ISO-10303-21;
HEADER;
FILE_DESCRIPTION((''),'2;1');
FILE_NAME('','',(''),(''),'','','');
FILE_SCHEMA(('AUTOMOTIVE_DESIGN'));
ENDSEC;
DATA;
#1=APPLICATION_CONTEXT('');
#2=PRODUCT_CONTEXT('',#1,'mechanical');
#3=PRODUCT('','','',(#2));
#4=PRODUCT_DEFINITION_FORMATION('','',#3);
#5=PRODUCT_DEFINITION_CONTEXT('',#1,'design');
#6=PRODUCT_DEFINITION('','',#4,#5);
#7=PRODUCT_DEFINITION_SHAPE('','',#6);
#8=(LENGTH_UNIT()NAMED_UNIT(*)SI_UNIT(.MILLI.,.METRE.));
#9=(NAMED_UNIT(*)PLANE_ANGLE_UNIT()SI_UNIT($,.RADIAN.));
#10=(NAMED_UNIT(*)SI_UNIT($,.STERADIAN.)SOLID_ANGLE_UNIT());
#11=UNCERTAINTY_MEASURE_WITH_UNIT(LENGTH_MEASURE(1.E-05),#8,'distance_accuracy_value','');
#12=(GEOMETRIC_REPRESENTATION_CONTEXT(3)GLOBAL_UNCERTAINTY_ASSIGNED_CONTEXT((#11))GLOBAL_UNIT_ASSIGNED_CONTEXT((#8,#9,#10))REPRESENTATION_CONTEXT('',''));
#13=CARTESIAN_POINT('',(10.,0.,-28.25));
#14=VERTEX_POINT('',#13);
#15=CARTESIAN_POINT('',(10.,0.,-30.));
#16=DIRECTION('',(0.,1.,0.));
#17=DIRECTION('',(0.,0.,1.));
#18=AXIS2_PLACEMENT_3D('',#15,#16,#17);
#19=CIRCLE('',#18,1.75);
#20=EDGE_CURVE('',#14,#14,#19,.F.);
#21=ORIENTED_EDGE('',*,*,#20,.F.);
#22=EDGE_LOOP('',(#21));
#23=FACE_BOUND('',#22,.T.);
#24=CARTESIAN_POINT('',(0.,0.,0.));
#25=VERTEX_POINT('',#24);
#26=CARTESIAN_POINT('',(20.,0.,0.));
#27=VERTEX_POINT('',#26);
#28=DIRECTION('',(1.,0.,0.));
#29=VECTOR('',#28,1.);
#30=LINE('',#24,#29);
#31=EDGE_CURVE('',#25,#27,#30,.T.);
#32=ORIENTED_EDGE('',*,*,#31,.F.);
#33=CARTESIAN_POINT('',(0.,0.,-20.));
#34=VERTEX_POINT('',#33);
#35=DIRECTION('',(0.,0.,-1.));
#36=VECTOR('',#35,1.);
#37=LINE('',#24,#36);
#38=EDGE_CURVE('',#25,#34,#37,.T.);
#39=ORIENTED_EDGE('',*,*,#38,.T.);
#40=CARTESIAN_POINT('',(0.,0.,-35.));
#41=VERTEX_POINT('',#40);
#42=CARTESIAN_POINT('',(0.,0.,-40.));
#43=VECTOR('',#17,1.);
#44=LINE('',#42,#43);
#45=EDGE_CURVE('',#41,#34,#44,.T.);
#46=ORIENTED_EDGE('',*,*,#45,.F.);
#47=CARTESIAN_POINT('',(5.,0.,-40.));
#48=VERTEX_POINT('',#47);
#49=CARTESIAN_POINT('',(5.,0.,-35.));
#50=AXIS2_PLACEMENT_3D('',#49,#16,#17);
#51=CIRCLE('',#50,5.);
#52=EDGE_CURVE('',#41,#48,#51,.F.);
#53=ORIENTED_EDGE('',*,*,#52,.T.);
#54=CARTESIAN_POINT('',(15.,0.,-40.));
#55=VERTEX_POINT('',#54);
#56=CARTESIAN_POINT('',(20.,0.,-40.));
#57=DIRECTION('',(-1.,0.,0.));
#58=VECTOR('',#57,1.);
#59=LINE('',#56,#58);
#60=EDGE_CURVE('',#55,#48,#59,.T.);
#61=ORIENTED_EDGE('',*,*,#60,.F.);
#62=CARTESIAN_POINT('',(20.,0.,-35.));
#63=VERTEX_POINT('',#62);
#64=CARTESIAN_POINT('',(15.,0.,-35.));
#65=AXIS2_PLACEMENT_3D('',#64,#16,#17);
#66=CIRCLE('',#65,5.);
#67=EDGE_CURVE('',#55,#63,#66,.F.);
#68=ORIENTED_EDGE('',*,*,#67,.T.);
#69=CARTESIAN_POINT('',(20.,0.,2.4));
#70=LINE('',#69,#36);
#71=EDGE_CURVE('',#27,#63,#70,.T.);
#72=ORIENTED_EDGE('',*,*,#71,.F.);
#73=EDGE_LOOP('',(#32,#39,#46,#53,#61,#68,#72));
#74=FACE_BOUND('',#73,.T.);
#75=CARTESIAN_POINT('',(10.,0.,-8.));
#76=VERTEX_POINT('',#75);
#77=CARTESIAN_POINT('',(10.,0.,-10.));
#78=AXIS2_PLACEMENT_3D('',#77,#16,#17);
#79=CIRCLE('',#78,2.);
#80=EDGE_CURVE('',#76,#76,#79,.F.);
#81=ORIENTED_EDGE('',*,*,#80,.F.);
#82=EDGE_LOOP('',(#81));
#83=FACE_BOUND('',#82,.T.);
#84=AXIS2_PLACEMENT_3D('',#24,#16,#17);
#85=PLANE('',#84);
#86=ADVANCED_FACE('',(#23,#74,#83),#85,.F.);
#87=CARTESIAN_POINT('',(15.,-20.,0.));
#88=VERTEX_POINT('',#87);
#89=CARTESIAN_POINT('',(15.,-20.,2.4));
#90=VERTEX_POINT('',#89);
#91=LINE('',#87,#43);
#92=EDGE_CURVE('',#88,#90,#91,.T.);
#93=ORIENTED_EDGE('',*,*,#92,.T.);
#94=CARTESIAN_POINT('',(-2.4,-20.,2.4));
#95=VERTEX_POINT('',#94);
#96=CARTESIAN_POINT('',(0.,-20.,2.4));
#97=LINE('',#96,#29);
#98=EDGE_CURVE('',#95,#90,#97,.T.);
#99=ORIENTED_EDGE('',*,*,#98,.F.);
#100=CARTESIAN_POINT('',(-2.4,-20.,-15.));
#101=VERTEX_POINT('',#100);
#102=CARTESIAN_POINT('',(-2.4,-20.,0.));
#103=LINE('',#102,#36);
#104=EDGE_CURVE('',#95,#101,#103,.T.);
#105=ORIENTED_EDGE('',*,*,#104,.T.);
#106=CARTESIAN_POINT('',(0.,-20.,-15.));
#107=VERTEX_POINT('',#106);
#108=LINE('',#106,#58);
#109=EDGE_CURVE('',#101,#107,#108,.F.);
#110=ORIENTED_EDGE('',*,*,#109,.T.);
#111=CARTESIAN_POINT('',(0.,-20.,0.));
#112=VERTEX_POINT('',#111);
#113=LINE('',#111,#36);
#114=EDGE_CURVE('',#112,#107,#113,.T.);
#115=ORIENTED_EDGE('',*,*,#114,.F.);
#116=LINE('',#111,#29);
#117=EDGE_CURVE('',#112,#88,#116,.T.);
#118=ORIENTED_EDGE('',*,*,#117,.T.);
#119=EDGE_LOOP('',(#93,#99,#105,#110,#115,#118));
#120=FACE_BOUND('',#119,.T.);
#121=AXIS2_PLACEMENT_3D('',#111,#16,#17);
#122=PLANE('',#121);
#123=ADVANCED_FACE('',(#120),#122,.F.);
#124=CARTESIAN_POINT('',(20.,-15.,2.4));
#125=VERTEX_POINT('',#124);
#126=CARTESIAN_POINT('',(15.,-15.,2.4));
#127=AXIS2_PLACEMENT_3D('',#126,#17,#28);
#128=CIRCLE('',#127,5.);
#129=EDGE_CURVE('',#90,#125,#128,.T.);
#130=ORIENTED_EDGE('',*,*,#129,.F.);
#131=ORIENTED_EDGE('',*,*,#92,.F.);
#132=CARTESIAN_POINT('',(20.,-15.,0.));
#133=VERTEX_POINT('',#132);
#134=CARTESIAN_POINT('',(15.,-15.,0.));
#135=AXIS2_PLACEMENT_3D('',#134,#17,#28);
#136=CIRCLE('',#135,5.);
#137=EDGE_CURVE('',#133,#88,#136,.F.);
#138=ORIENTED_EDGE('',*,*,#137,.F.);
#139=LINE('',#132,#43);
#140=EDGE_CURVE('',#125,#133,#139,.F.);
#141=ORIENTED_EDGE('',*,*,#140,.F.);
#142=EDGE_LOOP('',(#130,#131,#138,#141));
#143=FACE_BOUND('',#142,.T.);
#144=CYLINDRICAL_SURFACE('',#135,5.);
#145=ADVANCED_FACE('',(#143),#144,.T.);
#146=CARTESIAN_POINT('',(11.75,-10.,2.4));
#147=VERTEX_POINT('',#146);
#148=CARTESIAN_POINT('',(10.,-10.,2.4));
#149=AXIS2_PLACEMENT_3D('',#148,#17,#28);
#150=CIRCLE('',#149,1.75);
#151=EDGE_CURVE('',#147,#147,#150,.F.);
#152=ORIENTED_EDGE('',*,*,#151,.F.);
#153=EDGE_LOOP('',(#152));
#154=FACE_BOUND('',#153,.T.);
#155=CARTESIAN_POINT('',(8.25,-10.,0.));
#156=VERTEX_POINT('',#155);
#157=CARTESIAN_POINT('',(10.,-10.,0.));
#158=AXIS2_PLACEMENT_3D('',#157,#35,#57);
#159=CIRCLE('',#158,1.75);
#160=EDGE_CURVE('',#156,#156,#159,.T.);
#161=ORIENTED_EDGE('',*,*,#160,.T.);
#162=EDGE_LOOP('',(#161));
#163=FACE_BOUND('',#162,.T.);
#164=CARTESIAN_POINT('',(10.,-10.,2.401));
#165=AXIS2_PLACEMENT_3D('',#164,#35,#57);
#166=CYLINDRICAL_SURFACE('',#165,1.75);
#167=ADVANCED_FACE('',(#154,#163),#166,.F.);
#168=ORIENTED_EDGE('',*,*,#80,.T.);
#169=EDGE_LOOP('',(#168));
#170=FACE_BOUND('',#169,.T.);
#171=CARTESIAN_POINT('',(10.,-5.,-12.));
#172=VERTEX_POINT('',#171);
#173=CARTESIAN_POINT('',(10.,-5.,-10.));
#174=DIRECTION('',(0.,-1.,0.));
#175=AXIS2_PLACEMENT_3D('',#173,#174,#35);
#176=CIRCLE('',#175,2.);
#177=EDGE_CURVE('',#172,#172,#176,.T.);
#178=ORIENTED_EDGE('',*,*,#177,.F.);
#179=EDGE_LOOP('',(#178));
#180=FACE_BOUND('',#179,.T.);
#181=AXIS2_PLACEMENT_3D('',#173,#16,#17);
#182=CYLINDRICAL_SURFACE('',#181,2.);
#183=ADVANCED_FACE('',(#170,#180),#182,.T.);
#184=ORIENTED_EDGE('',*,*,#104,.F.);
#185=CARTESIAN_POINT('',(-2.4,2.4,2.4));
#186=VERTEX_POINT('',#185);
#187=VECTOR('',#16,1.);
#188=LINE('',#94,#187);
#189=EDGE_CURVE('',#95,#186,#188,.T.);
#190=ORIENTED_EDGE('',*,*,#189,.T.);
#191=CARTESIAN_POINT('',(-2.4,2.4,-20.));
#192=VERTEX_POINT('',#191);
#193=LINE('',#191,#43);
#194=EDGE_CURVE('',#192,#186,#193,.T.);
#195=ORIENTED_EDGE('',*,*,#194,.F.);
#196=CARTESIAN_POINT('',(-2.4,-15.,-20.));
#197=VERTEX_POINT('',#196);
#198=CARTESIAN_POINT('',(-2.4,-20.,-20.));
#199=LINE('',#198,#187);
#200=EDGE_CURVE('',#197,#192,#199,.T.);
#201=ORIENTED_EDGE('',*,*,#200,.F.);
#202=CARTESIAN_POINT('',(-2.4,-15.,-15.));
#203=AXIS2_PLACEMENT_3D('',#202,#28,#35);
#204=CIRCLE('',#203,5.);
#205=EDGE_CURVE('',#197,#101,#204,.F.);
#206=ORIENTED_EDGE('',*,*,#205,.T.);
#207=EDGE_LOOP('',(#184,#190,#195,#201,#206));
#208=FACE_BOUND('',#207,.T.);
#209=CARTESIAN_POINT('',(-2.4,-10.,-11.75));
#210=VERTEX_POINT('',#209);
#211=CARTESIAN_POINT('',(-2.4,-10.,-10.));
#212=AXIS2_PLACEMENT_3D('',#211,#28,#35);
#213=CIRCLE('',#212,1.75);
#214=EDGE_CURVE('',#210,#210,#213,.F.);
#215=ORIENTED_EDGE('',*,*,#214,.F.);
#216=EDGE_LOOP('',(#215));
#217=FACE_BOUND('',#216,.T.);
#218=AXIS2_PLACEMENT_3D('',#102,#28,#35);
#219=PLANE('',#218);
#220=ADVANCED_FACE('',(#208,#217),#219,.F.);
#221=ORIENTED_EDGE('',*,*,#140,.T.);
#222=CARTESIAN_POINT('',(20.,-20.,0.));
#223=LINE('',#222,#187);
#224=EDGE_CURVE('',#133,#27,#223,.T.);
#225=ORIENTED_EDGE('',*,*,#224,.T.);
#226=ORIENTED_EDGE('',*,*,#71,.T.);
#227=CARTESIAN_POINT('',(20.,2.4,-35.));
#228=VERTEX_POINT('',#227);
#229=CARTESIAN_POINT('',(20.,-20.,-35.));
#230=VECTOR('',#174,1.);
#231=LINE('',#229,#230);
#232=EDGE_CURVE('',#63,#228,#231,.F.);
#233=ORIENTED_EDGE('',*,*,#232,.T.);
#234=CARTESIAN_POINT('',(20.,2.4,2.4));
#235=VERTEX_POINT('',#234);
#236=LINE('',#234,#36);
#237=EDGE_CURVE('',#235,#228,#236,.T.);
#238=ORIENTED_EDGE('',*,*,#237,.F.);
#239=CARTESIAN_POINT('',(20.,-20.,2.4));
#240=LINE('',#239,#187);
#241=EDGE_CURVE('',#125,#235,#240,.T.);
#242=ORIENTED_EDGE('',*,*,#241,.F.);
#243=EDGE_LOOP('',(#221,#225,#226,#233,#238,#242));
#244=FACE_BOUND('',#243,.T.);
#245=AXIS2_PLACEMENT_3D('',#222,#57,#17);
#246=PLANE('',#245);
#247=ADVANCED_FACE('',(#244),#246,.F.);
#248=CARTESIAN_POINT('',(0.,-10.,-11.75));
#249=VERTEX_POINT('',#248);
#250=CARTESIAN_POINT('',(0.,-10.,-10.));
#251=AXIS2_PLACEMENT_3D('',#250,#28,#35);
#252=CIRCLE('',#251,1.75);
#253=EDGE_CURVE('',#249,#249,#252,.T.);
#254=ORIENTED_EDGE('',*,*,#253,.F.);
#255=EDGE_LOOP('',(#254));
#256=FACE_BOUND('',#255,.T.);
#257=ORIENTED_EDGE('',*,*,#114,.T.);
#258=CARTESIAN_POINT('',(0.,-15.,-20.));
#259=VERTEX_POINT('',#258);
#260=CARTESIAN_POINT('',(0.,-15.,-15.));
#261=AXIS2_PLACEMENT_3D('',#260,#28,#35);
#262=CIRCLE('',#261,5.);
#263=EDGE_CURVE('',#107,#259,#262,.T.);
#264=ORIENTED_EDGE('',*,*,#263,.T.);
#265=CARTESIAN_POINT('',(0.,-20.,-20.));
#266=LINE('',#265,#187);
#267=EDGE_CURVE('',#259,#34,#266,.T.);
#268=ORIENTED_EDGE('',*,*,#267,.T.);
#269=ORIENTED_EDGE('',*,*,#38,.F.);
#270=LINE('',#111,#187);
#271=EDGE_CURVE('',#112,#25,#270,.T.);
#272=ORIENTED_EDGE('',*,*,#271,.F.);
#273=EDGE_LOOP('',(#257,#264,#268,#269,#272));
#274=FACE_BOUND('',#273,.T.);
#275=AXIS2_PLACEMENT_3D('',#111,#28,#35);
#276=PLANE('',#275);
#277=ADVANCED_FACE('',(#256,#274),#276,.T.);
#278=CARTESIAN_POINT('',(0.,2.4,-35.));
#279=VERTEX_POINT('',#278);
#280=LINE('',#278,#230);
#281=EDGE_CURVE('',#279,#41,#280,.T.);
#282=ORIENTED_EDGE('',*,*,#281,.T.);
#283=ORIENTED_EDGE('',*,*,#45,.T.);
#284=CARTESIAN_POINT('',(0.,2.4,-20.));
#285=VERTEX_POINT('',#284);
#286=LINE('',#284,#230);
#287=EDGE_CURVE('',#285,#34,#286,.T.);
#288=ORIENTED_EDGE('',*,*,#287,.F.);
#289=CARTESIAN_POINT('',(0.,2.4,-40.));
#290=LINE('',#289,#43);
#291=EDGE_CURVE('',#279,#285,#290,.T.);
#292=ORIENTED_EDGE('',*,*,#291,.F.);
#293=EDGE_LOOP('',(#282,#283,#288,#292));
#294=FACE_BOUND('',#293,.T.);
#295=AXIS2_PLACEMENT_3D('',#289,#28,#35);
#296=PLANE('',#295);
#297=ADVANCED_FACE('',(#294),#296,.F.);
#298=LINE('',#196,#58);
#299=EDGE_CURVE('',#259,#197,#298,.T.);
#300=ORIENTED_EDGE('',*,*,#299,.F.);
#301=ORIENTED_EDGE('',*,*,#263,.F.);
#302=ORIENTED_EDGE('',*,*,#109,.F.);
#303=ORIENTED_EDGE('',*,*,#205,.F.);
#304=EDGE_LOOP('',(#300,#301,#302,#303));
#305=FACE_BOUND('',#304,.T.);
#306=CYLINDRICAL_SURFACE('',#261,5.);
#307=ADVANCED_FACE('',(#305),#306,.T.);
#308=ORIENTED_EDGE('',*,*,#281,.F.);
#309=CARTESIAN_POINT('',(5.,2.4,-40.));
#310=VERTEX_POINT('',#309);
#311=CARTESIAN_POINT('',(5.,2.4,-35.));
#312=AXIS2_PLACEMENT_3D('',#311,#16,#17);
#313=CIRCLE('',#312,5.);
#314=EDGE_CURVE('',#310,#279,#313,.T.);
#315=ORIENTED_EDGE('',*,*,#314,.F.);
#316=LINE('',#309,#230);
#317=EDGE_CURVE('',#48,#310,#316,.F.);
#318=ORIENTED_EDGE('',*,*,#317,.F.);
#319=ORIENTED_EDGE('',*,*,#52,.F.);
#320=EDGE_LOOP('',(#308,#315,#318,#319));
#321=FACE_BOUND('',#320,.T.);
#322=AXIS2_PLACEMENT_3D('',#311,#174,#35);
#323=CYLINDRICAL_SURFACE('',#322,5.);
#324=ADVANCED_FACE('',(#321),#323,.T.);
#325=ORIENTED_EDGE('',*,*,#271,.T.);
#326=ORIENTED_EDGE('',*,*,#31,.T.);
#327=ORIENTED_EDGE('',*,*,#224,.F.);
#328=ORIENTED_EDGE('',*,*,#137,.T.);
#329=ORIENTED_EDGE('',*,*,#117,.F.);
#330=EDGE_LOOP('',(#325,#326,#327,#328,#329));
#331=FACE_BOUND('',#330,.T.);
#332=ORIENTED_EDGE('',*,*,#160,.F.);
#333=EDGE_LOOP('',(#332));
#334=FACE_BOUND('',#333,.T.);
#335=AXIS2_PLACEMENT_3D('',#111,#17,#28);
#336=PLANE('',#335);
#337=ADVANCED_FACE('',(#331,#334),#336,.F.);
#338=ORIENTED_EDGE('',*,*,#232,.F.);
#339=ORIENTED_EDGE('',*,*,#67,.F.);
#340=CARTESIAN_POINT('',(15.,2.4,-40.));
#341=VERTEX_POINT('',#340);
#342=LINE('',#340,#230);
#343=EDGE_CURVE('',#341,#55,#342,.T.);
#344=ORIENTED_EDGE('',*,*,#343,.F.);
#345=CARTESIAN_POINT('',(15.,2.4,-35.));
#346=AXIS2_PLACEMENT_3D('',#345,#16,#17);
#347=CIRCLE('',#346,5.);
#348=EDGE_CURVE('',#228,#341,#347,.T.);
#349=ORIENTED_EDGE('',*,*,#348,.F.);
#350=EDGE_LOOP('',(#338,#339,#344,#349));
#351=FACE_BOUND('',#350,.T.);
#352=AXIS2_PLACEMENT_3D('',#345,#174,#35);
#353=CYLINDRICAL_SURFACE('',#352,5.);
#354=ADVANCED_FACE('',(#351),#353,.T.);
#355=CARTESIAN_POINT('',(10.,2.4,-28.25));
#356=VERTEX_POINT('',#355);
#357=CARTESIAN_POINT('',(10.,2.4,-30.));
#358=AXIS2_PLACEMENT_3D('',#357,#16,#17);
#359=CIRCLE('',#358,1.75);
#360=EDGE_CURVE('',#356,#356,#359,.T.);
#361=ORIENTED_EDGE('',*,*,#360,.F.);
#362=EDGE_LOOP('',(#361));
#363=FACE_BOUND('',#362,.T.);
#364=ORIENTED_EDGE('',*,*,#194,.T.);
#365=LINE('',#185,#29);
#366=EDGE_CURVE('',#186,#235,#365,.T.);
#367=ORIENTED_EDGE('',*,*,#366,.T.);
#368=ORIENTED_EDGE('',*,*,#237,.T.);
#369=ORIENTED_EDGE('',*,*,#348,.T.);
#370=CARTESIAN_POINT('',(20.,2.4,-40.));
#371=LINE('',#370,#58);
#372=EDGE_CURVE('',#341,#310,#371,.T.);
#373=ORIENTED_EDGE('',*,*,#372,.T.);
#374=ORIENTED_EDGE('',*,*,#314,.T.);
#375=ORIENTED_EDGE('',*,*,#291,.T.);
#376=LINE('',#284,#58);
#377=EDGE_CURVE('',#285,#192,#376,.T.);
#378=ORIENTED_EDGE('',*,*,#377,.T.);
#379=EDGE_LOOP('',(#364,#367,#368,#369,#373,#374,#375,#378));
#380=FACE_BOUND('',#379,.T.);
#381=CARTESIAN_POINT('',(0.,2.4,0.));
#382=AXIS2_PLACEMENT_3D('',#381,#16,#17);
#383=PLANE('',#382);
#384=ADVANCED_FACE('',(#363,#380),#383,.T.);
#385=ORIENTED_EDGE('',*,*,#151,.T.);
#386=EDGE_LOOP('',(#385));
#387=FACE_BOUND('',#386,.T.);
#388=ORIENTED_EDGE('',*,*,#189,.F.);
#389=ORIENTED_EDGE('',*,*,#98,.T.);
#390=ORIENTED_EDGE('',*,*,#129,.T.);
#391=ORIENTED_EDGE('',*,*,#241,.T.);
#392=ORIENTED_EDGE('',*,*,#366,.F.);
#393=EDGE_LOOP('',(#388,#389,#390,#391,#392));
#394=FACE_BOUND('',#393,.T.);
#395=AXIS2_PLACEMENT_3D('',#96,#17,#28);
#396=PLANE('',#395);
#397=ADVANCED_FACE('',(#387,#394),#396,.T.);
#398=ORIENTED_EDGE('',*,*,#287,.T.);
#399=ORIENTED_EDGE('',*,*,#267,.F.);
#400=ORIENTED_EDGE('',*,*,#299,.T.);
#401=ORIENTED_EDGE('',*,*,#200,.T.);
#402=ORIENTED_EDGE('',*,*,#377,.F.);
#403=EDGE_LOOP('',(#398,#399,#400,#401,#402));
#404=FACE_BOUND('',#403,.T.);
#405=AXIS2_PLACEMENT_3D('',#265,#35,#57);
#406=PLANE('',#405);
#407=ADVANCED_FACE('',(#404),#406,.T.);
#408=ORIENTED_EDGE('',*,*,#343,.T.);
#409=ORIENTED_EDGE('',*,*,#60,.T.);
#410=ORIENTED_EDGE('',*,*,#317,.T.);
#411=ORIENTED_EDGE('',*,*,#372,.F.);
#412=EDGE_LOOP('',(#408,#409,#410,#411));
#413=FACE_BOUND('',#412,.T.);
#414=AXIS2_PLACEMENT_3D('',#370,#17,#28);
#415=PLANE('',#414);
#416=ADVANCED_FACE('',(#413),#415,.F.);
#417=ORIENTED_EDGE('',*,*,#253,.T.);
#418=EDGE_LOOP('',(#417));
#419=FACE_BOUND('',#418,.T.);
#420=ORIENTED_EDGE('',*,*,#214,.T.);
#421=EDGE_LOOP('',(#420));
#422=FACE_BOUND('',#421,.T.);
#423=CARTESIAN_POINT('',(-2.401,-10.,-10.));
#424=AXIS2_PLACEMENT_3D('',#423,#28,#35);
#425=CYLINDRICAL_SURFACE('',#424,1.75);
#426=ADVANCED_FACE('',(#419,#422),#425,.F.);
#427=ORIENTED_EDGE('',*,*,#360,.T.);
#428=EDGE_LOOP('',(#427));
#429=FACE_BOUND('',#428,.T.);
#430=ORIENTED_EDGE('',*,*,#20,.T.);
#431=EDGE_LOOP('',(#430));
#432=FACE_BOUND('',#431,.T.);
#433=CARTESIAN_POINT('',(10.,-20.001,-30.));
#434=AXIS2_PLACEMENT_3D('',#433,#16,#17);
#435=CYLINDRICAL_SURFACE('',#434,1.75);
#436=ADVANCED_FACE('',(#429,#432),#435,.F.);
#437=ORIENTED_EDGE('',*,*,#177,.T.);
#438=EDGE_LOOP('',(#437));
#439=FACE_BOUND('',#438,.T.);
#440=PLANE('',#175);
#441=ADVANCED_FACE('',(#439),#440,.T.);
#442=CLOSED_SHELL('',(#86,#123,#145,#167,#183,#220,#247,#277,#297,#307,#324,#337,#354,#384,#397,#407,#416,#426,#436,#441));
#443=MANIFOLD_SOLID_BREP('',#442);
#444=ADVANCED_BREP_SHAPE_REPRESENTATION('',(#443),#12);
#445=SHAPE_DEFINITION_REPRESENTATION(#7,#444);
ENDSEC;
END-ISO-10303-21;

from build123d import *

# Parameters (mm, degrees)
SKETCH1_W           = 2.4
SKETCH1_H           = 20
SKETCH1_H_2         = 2.4
SKETCH1_W_2         = 20
BOSS_EXTRUDE1_DEPTH = 20
BOSS_EXTRUDE2_DEPTH = 2.4
CUT_EXTRUDE1_REACH  = 4.4
SKETCH4_R           = 1.75
CUT_EXTRUDE2_REACH  = 4.4
SKETCH5_R           = 1.75
CUT_EXTRUDE3_REACH  = 24.4
SKETCH6_R           = 1.75
SKETCH7_R           = 2
BOSS_EXTRUDE3_DEPTH = 5
FILLET1_R           = 5


with BuildPart() as part:
    # Sketch1 → Boss-Extrude1 (new body)
    with BuildSketch(Plane(origin=(0, 0, 0), x_dir=(1, 0, 0), z_dir=(0, 1, 0))):
        with Locations((-1.2, 10)):
            Rectangle(SKETCH1_W, SKETCH1_H)
        with Locations((-1.2, -1.2)):
            Rectangle(SKETCH1_W, SKETCH1_H_2)
        with Locations((10, -1.2)):
            Rectangle(SKETCH1_W_2, SKETCH1_H_2)
    extrude(amount=-BOSS_EXTRUDE1_DEPTH)

    # Sketch2 → Boss-Extrude2 (add)
    with BuildSketch(Plane(origin=(0, 0, 0), x_dir=(1, 0, 0), z_dir=(0, 1, 0))):
        Polygon((20, -2.4), (20, 40), (0, 40), (0, 20), (-2.4, 20), (-2.4, -2.4), align=None)
    extrude(amount=BOSS_EXTRUDE2_DEPTH)

    # Sketch4 → Cut-Extrude1 (cut, up to next)
    with BuildSketch(Plane(origin=(0, 0, 0), x_dir=(0, 0, -1), z_dir=(1, 0, 0)), mode=Mode.PRIVATE) as cut_extrude1_sk1:
        with Locations((10, -10)):
            Circle(SKETCH4_R)
    cut_extrude1_tool1 = extrude(cut_extrude1_sk1.sketch, amount=-CUT_EXTRUDE1_REACH, mode=Mode.PRIVATE) & part.part
    add(cut_extrude1_tool1.solids().sort_by_distance((0, -10, -10))[0], mode=Mode.SUBTRACT)

    # Sketch5 → Cut-Extrude2 (cut, up to next)
    with BuildSketch(Plane(origin=(0, 0, 0), x_dir=(-1, 0, 0), z_dir=(0, 0, -1)), mode=Mode.PRIVATE) as cut_extrude2_sk1:
        with Locations((-10, -10)):
            Circle(SKETCH5_R)
    cut_extrude2_tool1 = extrude(cut_extrude2_sk1.sketch, amount=-CUT_EXTRUDE2_REACH, mode=Mode.PRIVATE) & part.part
    add(cut_extrude2_tool1.solids().sort_by_distance((10, -10, 0))[0], mode=Mode.SUBTRACT)

    # Sketch6 → Cut-Extrude3 (cut, up to next)
    with BuildSketch(Plane(origin=(0, 2.4, 0), x_dir=(1, 0, 0), z_dir=(0, 1, 0)), mode=Mode.PRIVATE) as cut_extrude3_sk1:
        with Locations((10, 30)):
            Circle(SKETCH6_R)
    cut_extrude3_tool1 = extrude(cut_extrude3_sk1.sketch, amount=-CUT_EXTRUDE3_REACH, mode=Mode.PRIVATE) & part.part
    add(cut_extrude3_tool1.solids().sort_by_distance((10, 2.4, -30))[0], mode=Mode.SUBTRACT)

    # Sketch7 → Boss-Extrude3 (add)
    with BuildSketch(Plane.XZ):
        with Locations((10, -10)):
            Circle(SKETCH7_R)
    extrude(amount=BOSS_EXTRUDE3_DEPTH)

    # Fillet1
    fillet1_edges = [part.edges().sort_by_distance(p)[0] for p in [
        (20, -20, 1.2),
        (20, 1.2, -40),
        (0, 1.2, -40),
        (-1.2, -20, -20),
    ]]
    fillet(fillet1_edges, radius=FILLET1_R)


solid = part.part
